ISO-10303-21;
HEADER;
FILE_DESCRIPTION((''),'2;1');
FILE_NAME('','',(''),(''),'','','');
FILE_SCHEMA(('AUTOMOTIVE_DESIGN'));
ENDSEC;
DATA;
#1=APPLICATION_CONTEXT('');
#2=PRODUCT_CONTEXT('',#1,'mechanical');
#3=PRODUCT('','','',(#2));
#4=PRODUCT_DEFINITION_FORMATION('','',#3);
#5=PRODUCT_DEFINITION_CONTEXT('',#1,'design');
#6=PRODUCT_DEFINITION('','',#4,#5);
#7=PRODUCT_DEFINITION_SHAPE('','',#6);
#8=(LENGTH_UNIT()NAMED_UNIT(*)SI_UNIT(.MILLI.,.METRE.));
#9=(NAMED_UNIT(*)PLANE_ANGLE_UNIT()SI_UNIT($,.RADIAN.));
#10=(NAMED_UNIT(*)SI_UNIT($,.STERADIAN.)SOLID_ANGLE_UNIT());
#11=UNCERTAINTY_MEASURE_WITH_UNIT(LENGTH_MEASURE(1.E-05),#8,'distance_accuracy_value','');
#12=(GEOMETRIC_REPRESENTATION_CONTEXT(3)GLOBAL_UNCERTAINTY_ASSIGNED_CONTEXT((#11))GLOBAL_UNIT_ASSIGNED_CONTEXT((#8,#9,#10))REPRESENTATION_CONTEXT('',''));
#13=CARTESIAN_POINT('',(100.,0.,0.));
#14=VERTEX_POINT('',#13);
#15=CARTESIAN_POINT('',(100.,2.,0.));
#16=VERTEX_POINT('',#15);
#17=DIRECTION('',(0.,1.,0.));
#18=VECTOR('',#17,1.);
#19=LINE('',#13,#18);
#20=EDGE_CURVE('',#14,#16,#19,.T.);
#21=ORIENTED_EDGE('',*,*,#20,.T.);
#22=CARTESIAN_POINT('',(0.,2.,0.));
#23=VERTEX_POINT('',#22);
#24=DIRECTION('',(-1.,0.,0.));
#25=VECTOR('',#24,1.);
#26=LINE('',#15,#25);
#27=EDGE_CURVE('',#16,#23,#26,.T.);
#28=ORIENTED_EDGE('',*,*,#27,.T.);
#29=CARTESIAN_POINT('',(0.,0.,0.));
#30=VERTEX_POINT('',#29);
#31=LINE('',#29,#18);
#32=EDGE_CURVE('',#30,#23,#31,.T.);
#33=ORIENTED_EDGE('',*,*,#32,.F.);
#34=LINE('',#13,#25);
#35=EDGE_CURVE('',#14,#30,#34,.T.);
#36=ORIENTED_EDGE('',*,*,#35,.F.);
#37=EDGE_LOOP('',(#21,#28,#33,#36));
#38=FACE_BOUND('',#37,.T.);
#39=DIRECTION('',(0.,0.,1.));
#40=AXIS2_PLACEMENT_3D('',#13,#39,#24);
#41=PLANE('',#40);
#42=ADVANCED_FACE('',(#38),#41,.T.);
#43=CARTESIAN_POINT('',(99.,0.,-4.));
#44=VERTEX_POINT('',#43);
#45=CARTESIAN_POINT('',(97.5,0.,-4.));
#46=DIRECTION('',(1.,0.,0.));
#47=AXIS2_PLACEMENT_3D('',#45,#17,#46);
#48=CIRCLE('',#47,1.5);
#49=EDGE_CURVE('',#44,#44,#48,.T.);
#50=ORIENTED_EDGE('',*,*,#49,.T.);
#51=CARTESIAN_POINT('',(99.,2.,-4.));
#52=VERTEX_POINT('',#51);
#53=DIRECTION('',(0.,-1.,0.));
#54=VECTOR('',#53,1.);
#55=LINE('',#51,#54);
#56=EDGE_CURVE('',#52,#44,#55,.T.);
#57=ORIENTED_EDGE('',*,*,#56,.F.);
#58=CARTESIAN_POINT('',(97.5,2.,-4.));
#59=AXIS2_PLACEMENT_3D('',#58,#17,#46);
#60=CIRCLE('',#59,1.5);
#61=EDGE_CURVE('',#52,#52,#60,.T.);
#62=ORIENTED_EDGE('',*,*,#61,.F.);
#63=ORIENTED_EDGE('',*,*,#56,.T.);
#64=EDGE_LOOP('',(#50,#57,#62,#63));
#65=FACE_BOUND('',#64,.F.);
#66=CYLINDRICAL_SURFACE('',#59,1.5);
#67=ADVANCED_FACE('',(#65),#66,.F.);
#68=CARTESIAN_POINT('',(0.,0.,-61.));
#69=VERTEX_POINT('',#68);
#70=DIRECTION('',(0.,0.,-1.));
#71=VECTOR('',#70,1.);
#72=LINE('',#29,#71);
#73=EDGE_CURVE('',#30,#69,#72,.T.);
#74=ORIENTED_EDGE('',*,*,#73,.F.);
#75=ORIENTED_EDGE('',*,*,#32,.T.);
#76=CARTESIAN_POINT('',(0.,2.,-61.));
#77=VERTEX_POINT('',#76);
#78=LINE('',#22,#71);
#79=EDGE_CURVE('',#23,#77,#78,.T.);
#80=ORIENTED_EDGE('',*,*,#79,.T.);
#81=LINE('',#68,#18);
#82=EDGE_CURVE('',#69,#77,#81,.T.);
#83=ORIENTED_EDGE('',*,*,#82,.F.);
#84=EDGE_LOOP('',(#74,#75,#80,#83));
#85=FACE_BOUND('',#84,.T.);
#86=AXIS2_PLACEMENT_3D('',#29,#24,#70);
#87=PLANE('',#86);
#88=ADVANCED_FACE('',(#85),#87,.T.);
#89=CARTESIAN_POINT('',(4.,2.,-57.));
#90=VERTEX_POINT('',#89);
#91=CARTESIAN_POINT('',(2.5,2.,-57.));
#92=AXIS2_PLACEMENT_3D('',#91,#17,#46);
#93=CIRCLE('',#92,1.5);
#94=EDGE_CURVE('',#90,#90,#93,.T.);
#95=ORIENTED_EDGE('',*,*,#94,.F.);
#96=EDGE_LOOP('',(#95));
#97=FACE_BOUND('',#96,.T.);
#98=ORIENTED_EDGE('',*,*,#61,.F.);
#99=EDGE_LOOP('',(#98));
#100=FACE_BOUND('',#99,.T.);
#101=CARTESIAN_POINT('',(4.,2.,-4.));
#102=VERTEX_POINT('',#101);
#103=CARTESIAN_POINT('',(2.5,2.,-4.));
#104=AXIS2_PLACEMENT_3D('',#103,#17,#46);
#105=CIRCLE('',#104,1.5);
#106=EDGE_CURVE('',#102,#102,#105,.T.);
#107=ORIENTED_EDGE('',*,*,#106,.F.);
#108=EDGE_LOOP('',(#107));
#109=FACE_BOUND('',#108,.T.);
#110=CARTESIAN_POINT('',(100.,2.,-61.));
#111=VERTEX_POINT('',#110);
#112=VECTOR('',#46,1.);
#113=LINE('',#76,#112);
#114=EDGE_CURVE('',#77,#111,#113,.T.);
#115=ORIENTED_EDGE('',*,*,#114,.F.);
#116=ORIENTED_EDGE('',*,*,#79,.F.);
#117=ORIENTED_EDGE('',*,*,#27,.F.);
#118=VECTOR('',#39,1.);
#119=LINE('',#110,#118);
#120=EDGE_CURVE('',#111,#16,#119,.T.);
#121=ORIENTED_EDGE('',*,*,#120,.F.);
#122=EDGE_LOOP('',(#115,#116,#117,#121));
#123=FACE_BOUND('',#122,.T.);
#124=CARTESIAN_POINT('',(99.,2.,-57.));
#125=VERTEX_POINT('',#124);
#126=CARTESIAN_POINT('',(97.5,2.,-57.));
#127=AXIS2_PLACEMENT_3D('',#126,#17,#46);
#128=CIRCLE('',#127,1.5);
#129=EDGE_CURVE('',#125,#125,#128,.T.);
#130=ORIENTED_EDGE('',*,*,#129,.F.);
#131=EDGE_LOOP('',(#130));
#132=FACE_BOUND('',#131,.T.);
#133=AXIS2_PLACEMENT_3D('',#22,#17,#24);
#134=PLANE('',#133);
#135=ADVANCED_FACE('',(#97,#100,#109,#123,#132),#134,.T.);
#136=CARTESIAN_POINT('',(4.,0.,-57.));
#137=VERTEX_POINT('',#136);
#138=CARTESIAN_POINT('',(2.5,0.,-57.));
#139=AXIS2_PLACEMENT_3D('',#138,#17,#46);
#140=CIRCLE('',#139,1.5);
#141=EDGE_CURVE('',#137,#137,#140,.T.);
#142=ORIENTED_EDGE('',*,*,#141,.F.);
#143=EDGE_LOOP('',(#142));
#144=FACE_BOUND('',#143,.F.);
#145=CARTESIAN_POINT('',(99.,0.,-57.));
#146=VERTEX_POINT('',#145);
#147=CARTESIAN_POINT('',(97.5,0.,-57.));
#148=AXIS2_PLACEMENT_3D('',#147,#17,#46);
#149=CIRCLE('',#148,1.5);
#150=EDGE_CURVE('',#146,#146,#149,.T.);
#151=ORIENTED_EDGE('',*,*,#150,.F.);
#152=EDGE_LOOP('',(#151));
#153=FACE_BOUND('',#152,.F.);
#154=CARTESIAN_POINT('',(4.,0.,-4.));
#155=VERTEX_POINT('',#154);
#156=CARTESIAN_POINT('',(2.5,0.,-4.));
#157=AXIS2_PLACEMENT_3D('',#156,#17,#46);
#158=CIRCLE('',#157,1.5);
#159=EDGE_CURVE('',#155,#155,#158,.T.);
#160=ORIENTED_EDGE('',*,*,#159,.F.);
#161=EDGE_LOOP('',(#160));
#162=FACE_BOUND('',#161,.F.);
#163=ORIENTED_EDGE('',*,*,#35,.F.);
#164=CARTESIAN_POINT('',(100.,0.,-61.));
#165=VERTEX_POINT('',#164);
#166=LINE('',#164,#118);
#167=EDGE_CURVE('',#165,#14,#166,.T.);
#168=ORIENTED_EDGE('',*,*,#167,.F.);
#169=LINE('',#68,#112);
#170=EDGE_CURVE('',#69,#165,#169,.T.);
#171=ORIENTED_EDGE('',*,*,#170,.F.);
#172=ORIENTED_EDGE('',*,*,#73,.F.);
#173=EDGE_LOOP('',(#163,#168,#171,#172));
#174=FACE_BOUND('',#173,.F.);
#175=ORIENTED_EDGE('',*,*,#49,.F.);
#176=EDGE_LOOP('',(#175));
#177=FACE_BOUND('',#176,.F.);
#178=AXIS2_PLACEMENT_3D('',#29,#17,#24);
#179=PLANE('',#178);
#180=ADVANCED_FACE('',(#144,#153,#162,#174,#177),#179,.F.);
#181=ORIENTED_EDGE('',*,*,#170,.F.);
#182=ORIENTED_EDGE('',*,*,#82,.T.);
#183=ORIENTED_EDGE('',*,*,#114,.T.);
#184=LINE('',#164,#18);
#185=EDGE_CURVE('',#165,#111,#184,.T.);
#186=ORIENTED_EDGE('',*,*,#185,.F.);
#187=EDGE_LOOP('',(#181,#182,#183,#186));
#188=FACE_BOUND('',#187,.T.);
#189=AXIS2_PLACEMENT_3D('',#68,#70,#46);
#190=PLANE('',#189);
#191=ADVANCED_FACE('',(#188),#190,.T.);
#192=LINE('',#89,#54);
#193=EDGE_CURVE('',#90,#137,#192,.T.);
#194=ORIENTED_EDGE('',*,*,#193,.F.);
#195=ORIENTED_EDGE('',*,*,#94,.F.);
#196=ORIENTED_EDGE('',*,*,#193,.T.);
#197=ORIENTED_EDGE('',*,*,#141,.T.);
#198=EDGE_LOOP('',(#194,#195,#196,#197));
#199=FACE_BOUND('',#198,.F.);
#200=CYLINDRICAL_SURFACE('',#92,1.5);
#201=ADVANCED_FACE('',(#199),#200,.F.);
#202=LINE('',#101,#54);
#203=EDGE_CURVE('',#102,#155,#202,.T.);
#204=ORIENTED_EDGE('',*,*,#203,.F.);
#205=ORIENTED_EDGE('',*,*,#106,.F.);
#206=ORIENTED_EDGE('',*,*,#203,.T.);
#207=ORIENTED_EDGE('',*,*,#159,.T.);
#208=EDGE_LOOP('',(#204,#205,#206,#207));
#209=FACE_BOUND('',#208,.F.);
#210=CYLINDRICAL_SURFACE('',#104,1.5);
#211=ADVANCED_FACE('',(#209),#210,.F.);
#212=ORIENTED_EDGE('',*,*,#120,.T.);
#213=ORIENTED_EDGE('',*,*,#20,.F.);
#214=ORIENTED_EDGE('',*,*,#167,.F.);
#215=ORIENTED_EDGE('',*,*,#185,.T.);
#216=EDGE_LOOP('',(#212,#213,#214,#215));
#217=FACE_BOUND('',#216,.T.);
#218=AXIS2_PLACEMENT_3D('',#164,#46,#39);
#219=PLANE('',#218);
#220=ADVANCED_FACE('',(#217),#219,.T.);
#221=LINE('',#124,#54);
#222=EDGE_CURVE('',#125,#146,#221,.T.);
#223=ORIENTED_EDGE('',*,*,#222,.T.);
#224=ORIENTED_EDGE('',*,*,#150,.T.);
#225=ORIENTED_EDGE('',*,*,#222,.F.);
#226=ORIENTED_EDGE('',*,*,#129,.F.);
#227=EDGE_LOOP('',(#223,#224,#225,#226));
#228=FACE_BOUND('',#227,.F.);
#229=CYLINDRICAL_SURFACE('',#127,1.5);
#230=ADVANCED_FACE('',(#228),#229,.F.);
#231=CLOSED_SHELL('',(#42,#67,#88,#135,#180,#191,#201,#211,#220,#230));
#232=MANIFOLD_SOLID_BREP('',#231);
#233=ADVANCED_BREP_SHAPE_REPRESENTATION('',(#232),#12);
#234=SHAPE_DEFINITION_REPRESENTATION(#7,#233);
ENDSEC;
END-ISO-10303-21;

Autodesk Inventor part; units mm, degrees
ref_plane "YZ Plane" through (0, 0, 0) normal (1, 0, 0) x (0, 1, 0)
ref_plane "XZ Plane" through (0, 0, 0) normal (0, 1, 0) x (-1, 0, 0)
ref_plane "XY Plane" through (0, 0, 0) normal (0, 0, 1) x (1, 0, 0)
sketch "Sketch1" plane through (0, 0, 0) normal (0, 1, 0) x (-1, 0, 0)
  line L0 (0, -61) -> (-100, -61)
  line L1 (-100, -61) -> (-100, 0)
  line L2 (-100, 0) -> (0, 0)
  line L3 (0, 0) -> (0, -61)
  dimension "d0" = 100
  dimension "d1" = 61
extrude "Extrusion1" add sketch "Sketch1" along normal blind 2
sketch "Sketch2" plane through (0, 2, 0) normal (0, 1, 0) x (1, 0, 0)
  circle A0 centre (97.5, 57) radius 1.5
  circle A1 centre (97.5, 4) radius 1.5
  circle A2 centre (2.5, 4) radius 1.5
  circle A3 centre (2.5, 57) radius 1.5
  line L0 (100, 0) -> (100, 61) projected
  line L1 (100, 61) -> (0, 61) projected
  line L2 (0, 0) -> (100, 0) projected
  line L3 (0, 61) -> (0, 0) projected
  dimension "d4" = 2.5
  dimension "d5" = 4
  dimension "d6" = 3
  dimension "d7" = 2.5
  dimension "d8" = 4
  dimension "d9" = 4
  dimension "d10" = 2.5
  dimension "d11" = 4
  dimension "d12" = 2.5
extrude "Extrusion2" cut sketch "Sketch2" against normal blind 4 contours A0 | A1 | A2 | A3
properties part number "BatteryCover"
